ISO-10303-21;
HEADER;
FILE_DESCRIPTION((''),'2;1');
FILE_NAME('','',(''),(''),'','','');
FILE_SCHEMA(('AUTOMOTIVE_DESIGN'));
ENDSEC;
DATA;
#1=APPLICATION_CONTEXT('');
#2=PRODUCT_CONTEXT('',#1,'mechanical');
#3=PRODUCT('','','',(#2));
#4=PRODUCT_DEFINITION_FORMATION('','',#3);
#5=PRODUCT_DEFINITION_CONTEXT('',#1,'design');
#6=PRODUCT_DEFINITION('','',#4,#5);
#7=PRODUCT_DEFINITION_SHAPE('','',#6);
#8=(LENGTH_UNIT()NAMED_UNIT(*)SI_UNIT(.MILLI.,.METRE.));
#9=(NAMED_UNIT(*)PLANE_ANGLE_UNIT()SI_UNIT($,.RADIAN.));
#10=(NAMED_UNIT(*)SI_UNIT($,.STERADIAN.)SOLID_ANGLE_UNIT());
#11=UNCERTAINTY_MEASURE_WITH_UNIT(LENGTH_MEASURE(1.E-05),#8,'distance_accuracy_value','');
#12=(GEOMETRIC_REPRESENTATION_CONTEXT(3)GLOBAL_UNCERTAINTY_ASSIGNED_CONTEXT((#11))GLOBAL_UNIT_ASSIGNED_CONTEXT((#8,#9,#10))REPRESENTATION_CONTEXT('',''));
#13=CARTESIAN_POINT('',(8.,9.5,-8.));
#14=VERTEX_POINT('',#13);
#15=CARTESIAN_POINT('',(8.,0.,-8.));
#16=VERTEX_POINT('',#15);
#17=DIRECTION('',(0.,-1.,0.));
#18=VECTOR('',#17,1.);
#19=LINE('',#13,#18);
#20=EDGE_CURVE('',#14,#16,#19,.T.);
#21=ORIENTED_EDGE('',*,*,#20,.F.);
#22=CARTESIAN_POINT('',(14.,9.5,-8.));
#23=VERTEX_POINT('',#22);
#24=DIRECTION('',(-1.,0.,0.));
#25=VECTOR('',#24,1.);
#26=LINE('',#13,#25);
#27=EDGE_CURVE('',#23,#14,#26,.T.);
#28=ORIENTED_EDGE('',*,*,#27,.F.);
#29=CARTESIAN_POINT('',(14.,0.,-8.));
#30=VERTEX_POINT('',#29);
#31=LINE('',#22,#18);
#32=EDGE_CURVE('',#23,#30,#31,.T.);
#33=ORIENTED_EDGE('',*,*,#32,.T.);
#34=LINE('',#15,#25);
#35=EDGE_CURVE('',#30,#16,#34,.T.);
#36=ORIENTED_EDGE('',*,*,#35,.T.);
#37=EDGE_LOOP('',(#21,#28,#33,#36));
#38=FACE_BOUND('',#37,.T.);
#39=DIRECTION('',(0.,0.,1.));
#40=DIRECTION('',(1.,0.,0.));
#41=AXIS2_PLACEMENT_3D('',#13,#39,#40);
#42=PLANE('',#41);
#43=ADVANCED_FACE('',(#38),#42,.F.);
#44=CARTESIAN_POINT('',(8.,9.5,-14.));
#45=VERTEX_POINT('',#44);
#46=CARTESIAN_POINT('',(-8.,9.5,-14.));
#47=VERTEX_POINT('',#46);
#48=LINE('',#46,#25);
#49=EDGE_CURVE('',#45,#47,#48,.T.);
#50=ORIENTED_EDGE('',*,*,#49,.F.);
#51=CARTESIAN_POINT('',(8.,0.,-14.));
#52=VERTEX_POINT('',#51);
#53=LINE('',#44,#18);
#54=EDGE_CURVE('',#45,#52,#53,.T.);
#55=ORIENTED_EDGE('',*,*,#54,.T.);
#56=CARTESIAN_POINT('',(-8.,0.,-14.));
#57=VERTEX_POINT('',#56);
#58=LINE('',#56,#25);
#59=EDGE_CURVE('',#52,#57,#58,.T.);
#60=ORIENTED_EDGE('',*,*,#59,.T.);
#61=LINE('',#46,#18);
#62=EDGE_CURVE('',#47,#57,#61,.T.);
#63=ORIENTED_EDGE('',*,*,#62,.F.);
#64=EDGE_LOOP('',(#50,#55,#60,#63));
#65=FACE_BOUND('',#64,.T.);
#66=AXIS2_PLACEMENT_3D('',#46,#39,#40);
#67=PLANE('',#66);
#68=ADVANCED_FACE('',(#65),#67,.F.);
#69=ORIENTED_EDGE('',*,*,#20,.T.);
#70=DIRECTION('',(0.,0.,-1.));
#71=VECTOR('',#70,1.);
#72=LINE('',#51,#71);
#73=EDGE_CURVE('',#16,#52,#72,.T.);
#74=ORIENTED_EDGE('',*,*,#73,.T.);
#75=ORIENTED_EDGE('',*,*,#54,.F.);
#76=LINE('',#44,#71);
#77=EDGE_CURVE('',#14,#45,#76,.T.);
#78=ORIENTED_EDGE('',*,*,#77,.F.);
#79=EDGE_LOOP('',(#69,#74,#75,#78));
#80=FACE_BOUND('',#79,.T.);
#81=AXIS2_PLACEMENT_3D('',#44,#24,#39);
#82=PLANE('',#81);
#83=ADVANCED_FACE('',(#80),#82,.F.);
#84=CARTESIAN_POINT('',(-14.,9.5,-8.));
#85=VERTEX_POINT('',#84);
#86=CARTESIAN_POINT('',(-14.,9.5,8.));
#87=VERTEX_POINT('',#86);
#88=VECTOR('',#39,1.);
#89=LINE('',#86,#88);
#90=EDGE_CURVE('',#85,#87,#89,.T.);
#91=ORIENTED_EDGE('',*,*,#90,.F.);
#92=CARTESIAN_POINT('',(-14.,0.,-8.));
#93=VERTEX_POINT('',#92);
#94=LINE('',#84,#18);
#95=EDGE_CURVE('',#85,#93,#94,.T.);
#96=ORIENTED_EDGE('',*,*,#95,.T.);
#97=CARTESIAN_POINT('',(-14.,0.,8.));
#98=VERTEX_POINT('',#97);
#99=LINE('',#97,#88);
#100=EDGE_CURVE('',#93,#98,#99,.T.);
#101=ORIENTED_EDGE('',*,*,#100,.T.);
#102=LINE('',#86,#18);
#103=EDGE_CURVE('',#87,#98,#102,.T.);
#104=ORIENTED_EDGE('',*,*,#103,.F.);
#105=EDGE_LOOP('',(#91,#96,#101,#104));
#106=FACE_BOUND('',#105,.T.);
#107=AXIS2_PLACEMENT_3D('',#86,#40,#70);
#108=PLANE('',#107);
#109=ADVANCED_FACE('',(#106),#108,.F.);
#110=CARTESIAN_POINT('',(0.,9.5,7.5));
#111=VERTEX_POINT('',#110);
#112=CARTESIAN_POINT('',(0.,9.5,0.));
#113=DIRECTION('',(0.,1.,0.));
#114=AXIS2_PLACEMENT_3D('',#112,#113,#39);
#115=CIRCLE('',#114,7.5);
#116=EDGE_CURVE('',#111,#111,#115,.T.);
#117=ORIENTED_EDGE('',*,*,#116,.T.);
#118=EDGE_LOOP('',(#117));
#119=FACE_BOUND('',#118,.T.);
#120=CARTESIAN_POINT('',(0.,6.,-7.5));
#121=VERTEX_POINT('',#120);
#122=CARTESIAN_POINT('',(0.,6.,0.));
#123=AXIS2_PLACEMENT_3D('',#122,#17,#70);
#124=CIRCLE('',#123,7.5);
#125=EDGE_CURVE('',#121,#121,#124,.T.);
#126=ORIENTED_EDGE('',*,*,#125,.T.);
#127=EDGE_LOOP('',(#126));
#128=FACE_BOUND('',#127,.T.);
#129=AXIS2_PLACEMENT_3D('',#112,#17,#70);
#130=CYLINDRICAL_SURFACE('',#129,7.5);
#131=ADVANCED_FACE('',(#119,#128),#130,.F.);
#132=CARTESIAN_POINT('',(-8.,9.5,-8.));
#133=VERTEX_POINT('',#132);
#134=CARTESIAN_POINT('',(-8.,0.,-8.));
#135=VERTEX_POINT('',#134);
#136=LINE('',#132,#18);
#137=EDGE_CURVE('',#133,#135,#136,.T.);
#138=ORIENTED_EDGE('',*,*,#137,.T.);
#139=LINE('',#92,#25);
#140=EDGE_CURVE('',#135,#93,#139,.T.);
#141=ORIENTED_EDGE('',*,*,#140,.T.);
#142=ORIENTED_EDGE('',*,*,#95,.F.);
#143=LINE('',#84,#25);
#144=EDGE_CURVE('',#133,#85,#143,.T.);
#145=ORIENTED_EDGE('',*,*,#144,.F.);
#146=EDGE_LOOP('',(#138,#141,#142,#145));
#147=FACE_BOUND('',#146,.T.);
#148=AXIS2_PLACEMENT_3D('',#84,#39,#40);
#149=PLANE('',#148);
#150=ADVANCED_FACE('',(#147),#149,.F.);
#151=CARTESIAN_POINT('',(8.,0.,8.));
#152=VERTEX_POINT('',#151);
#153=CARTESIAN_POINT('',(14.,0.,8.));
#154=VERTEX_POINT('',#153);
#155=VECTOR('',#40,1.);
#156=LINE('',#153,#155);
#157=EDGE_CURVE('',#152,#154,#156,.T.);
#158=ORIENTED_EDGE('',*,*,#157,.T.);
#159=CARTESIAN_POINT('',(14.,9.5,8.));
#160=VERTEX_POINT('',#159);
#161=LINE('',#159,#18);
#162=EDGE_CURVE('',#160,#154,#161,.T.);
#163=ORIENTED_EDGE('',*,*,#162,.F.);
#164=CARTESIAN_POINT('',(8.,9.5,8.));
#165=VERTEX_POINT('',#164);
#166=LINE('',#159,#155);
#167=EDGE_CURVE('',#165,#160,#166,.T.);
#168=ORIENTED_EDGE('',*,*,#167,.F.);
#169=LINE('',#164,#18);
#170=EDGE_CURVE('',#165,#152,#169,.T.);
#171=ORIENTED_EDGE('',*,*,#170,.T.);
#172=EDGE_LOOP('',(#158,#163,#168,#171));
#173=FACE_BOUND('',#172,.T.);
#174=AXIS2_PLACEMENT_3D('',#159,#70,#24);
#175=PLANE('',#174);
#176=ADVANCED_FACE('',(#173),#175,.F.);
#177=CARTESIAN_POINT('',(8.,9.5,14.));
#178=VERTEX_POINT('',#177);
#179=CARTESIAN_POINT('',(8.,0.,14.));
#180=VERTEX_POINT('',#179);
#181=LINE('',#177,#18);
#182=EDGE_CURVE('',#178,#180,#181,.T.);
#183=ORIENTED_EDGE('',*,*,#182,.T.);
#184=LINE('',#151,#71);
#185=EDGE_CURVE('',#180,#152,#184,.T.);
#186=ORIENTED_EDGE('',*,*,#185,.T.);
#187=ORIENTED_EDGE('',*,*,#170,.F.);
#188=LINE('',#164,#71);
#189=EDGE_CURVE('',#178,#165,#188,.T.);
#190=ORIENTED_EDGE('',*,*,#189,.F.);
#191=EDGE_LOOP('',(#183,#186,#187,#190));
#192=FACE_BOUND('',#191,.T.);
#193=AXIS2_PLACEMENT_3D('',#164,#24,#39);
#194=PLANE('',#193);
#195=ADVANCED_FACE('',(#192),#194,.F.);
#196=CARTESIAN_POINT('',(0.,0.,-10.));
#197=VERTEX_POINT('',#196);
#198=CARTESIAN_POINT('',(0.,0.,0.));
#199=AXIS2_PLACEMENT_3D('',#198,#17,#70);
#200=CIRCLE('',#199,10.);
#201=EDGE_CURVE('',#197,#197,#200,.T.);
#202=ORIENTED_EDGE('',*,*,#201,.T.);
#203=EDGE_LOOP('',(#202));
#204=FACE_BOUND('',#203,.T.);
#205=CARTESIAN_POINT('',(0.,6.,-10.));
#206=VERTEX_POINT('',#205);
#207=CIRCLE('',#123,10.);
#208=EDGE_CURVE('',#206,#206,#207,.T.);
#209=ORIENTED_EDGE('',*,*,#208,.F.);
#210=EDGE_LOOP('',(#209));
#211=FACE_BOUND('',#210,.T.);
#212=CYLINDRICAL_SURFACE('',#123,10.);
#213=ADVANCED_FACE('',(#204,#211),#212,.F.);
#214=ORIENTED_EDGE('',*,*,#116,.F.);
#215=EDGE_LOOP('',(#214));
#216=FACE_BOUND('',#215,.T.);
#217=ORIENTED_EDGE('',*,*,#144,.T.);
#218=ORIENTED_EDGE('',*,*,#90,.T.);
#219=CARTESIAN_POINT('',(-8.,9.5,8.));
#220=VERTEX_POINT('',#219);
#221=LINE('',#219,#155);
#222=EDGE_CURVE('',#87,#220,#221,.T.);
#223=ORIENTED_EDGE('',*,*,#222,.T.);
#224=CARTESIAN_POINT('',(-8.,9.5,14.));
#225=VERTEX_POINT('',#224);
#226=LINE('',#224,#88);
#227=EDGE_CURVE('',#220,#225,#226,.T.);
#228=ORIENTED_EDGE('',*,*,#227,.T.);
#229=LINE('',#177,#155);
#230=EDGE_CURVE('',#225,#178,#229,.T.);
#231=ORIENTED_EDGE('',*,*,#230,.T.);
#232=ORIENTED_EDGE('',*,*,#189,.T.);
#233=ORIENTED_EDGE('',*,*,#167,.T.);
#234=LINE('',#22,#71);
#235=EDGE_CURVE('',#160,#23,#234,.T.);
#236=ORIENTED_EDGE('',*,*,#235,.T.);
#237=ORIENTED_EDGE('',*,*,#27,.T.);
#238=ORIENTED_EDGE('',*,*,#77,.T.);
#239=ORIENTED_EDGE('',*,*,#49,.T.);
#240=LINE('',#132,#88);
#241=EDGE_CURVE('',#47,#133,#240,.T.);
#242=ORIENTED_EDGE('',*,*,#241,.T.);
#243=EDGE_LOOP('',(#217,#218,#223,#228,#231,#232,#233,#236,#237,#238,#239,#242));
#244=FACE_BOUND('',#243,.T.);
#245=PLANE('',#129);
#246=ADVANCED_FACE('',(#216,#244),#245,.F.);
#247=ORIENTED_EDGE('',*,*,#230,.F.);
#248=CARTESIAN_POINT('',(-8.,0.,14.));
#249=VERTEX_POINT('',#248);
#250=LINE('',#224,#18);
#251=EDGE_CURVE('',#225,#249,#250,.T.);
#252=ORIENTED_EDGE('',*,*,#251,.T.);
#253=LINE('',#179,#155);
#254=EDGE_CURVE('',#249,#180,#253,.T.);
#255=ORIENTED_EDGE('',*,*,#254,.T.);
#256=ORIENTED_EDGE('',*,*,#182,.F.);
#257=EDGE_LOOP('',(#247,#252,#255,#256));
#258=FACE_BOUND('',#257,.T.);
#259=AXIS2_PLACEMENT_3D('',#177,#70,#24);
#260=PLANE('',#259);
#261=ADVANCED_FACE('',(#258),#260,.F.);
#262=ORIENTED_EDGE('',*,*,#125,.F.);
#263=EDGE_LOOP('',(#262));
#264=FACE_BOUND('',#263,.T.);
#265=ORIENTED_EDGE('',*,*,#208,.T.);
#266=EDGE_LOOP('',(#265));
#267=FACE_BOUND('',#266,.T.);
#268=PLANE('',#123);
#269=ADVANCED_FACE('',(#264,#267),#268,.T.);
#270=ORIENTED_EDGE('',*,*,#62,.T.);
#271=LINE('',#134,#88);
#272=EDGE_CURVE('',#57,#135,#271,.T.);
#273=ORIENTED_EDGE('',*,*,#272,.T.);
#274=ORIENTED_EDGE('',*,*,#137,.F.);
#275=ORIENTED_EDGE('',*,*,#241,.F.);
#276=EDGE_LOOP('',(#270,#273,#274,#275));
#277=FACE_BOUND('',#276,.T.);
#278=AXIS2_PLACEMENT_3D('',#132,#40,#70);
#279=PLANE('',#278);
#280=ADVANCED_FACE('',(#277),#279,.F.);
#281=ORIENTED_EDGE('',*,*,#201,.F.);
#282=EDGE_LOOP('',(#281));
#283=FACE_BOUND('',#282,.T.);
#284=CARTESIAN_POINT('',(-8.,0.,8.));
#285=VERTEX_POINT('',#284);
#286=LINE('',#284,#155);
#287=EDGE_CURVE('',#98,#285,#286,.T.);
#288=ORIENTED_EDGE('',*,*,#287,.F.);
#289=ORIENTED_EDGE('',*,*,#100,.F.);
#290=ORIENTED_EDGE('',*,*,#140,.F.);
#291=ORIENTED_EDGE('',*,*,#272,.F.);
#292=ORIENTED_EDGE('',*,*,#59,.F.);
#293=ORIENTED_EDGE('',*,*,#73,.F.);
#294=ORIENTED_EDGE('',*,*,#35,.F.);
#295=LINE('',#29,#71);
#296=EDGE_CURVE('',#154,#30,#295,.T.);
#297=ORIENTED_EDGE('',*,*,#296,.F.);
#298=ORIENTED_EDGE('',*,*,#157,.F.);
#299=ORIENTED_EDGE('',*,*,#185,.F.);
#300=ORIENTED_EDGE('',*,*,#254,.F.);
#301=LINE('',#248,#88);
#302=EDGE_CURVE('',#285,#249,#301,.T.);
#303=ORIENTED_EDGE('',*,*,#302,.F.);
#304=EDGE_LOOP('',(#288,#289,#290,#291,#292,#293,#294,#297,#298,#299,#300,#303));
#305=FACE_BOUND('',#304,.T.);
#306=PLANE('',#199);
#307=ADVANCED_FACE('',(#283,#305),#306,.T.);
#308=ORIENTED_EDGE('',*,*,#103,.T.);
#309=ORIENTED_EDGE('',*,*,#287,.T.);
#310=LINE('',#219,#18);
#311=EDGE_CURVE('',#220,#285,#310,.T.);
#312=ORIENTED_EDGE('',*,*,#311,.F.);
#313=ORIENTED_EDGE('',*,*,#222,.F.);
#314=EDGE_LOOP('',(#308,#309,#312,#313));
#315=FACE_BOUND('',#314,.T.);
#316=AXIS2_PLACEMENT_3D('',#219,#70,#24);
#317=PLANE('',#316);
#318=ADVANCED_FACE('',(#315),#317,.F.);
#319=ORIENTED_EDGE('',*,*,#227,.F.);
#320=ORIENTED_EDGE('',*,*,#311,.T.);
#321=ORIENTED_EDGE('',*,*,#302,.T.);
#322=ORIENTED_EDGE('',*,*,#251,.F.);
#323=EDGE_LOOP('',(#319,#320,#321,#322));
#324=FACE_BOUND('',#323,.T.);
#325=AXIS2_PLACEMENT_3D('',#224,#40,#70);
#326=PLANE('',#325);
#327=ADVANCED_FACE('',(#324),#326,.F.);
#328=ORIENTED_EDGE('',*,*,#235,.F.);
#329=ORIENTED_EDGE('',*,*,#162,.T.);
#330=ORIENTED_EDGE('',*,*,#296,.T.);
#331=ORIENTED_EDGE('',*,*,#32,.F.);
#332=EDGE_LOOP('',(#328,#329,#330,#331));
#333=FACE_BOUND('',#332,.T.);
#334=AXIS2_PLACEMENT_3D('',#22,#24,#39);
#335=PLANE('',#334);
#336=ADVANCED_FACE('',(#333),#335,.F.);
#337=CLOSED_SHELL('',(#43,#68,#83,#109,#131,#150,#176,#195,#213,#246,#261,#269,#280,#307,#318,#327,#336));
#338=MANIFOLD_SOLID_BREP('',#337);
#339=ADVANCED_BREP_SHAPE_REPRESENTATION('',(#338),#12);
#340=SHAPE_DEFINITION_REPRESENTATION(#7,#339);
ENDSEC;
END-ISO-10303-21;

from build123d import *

# Parameters (mm, degrees)
SKETCH_1_R          = 7.5
EXTRUDE_1_DEPTH     = 9.5
SKETCH_2_R          = 10
CUT_EXTRUDE_1_DEPTH = 6


with BuildPart() as part:
    # 草图1 → 凸台-拉伸1 (new body)
    with BuildSketch(Plane(origin=(0, 0, 0), x_dir=(1, 0, 0), z_dir=(0, 1, 0))):
        Polygon((-8, 14), (8, 14), (8, 8), (14, 8), (14, -8), (8, -8), (8, -14), (-8, -14), (-8, -8), (-14, -8), (-14, 8), (-8, 8), align=None)
        Circle(SKETCH_1_R, mode=Mode.SUBTRACT)
    extrude(amount=EXTRUDE_1_DEPTH)

    # 草图2 → 切除-拉伸1 (cut)
    with BuildSketch(Plane.XZ):
        Circle(SKETCH_2_R)
    extrude(amount=-CUT_EXTRUDE_1_DEPTH, mode=Mode.SUBTRACT)


solid = part.part
